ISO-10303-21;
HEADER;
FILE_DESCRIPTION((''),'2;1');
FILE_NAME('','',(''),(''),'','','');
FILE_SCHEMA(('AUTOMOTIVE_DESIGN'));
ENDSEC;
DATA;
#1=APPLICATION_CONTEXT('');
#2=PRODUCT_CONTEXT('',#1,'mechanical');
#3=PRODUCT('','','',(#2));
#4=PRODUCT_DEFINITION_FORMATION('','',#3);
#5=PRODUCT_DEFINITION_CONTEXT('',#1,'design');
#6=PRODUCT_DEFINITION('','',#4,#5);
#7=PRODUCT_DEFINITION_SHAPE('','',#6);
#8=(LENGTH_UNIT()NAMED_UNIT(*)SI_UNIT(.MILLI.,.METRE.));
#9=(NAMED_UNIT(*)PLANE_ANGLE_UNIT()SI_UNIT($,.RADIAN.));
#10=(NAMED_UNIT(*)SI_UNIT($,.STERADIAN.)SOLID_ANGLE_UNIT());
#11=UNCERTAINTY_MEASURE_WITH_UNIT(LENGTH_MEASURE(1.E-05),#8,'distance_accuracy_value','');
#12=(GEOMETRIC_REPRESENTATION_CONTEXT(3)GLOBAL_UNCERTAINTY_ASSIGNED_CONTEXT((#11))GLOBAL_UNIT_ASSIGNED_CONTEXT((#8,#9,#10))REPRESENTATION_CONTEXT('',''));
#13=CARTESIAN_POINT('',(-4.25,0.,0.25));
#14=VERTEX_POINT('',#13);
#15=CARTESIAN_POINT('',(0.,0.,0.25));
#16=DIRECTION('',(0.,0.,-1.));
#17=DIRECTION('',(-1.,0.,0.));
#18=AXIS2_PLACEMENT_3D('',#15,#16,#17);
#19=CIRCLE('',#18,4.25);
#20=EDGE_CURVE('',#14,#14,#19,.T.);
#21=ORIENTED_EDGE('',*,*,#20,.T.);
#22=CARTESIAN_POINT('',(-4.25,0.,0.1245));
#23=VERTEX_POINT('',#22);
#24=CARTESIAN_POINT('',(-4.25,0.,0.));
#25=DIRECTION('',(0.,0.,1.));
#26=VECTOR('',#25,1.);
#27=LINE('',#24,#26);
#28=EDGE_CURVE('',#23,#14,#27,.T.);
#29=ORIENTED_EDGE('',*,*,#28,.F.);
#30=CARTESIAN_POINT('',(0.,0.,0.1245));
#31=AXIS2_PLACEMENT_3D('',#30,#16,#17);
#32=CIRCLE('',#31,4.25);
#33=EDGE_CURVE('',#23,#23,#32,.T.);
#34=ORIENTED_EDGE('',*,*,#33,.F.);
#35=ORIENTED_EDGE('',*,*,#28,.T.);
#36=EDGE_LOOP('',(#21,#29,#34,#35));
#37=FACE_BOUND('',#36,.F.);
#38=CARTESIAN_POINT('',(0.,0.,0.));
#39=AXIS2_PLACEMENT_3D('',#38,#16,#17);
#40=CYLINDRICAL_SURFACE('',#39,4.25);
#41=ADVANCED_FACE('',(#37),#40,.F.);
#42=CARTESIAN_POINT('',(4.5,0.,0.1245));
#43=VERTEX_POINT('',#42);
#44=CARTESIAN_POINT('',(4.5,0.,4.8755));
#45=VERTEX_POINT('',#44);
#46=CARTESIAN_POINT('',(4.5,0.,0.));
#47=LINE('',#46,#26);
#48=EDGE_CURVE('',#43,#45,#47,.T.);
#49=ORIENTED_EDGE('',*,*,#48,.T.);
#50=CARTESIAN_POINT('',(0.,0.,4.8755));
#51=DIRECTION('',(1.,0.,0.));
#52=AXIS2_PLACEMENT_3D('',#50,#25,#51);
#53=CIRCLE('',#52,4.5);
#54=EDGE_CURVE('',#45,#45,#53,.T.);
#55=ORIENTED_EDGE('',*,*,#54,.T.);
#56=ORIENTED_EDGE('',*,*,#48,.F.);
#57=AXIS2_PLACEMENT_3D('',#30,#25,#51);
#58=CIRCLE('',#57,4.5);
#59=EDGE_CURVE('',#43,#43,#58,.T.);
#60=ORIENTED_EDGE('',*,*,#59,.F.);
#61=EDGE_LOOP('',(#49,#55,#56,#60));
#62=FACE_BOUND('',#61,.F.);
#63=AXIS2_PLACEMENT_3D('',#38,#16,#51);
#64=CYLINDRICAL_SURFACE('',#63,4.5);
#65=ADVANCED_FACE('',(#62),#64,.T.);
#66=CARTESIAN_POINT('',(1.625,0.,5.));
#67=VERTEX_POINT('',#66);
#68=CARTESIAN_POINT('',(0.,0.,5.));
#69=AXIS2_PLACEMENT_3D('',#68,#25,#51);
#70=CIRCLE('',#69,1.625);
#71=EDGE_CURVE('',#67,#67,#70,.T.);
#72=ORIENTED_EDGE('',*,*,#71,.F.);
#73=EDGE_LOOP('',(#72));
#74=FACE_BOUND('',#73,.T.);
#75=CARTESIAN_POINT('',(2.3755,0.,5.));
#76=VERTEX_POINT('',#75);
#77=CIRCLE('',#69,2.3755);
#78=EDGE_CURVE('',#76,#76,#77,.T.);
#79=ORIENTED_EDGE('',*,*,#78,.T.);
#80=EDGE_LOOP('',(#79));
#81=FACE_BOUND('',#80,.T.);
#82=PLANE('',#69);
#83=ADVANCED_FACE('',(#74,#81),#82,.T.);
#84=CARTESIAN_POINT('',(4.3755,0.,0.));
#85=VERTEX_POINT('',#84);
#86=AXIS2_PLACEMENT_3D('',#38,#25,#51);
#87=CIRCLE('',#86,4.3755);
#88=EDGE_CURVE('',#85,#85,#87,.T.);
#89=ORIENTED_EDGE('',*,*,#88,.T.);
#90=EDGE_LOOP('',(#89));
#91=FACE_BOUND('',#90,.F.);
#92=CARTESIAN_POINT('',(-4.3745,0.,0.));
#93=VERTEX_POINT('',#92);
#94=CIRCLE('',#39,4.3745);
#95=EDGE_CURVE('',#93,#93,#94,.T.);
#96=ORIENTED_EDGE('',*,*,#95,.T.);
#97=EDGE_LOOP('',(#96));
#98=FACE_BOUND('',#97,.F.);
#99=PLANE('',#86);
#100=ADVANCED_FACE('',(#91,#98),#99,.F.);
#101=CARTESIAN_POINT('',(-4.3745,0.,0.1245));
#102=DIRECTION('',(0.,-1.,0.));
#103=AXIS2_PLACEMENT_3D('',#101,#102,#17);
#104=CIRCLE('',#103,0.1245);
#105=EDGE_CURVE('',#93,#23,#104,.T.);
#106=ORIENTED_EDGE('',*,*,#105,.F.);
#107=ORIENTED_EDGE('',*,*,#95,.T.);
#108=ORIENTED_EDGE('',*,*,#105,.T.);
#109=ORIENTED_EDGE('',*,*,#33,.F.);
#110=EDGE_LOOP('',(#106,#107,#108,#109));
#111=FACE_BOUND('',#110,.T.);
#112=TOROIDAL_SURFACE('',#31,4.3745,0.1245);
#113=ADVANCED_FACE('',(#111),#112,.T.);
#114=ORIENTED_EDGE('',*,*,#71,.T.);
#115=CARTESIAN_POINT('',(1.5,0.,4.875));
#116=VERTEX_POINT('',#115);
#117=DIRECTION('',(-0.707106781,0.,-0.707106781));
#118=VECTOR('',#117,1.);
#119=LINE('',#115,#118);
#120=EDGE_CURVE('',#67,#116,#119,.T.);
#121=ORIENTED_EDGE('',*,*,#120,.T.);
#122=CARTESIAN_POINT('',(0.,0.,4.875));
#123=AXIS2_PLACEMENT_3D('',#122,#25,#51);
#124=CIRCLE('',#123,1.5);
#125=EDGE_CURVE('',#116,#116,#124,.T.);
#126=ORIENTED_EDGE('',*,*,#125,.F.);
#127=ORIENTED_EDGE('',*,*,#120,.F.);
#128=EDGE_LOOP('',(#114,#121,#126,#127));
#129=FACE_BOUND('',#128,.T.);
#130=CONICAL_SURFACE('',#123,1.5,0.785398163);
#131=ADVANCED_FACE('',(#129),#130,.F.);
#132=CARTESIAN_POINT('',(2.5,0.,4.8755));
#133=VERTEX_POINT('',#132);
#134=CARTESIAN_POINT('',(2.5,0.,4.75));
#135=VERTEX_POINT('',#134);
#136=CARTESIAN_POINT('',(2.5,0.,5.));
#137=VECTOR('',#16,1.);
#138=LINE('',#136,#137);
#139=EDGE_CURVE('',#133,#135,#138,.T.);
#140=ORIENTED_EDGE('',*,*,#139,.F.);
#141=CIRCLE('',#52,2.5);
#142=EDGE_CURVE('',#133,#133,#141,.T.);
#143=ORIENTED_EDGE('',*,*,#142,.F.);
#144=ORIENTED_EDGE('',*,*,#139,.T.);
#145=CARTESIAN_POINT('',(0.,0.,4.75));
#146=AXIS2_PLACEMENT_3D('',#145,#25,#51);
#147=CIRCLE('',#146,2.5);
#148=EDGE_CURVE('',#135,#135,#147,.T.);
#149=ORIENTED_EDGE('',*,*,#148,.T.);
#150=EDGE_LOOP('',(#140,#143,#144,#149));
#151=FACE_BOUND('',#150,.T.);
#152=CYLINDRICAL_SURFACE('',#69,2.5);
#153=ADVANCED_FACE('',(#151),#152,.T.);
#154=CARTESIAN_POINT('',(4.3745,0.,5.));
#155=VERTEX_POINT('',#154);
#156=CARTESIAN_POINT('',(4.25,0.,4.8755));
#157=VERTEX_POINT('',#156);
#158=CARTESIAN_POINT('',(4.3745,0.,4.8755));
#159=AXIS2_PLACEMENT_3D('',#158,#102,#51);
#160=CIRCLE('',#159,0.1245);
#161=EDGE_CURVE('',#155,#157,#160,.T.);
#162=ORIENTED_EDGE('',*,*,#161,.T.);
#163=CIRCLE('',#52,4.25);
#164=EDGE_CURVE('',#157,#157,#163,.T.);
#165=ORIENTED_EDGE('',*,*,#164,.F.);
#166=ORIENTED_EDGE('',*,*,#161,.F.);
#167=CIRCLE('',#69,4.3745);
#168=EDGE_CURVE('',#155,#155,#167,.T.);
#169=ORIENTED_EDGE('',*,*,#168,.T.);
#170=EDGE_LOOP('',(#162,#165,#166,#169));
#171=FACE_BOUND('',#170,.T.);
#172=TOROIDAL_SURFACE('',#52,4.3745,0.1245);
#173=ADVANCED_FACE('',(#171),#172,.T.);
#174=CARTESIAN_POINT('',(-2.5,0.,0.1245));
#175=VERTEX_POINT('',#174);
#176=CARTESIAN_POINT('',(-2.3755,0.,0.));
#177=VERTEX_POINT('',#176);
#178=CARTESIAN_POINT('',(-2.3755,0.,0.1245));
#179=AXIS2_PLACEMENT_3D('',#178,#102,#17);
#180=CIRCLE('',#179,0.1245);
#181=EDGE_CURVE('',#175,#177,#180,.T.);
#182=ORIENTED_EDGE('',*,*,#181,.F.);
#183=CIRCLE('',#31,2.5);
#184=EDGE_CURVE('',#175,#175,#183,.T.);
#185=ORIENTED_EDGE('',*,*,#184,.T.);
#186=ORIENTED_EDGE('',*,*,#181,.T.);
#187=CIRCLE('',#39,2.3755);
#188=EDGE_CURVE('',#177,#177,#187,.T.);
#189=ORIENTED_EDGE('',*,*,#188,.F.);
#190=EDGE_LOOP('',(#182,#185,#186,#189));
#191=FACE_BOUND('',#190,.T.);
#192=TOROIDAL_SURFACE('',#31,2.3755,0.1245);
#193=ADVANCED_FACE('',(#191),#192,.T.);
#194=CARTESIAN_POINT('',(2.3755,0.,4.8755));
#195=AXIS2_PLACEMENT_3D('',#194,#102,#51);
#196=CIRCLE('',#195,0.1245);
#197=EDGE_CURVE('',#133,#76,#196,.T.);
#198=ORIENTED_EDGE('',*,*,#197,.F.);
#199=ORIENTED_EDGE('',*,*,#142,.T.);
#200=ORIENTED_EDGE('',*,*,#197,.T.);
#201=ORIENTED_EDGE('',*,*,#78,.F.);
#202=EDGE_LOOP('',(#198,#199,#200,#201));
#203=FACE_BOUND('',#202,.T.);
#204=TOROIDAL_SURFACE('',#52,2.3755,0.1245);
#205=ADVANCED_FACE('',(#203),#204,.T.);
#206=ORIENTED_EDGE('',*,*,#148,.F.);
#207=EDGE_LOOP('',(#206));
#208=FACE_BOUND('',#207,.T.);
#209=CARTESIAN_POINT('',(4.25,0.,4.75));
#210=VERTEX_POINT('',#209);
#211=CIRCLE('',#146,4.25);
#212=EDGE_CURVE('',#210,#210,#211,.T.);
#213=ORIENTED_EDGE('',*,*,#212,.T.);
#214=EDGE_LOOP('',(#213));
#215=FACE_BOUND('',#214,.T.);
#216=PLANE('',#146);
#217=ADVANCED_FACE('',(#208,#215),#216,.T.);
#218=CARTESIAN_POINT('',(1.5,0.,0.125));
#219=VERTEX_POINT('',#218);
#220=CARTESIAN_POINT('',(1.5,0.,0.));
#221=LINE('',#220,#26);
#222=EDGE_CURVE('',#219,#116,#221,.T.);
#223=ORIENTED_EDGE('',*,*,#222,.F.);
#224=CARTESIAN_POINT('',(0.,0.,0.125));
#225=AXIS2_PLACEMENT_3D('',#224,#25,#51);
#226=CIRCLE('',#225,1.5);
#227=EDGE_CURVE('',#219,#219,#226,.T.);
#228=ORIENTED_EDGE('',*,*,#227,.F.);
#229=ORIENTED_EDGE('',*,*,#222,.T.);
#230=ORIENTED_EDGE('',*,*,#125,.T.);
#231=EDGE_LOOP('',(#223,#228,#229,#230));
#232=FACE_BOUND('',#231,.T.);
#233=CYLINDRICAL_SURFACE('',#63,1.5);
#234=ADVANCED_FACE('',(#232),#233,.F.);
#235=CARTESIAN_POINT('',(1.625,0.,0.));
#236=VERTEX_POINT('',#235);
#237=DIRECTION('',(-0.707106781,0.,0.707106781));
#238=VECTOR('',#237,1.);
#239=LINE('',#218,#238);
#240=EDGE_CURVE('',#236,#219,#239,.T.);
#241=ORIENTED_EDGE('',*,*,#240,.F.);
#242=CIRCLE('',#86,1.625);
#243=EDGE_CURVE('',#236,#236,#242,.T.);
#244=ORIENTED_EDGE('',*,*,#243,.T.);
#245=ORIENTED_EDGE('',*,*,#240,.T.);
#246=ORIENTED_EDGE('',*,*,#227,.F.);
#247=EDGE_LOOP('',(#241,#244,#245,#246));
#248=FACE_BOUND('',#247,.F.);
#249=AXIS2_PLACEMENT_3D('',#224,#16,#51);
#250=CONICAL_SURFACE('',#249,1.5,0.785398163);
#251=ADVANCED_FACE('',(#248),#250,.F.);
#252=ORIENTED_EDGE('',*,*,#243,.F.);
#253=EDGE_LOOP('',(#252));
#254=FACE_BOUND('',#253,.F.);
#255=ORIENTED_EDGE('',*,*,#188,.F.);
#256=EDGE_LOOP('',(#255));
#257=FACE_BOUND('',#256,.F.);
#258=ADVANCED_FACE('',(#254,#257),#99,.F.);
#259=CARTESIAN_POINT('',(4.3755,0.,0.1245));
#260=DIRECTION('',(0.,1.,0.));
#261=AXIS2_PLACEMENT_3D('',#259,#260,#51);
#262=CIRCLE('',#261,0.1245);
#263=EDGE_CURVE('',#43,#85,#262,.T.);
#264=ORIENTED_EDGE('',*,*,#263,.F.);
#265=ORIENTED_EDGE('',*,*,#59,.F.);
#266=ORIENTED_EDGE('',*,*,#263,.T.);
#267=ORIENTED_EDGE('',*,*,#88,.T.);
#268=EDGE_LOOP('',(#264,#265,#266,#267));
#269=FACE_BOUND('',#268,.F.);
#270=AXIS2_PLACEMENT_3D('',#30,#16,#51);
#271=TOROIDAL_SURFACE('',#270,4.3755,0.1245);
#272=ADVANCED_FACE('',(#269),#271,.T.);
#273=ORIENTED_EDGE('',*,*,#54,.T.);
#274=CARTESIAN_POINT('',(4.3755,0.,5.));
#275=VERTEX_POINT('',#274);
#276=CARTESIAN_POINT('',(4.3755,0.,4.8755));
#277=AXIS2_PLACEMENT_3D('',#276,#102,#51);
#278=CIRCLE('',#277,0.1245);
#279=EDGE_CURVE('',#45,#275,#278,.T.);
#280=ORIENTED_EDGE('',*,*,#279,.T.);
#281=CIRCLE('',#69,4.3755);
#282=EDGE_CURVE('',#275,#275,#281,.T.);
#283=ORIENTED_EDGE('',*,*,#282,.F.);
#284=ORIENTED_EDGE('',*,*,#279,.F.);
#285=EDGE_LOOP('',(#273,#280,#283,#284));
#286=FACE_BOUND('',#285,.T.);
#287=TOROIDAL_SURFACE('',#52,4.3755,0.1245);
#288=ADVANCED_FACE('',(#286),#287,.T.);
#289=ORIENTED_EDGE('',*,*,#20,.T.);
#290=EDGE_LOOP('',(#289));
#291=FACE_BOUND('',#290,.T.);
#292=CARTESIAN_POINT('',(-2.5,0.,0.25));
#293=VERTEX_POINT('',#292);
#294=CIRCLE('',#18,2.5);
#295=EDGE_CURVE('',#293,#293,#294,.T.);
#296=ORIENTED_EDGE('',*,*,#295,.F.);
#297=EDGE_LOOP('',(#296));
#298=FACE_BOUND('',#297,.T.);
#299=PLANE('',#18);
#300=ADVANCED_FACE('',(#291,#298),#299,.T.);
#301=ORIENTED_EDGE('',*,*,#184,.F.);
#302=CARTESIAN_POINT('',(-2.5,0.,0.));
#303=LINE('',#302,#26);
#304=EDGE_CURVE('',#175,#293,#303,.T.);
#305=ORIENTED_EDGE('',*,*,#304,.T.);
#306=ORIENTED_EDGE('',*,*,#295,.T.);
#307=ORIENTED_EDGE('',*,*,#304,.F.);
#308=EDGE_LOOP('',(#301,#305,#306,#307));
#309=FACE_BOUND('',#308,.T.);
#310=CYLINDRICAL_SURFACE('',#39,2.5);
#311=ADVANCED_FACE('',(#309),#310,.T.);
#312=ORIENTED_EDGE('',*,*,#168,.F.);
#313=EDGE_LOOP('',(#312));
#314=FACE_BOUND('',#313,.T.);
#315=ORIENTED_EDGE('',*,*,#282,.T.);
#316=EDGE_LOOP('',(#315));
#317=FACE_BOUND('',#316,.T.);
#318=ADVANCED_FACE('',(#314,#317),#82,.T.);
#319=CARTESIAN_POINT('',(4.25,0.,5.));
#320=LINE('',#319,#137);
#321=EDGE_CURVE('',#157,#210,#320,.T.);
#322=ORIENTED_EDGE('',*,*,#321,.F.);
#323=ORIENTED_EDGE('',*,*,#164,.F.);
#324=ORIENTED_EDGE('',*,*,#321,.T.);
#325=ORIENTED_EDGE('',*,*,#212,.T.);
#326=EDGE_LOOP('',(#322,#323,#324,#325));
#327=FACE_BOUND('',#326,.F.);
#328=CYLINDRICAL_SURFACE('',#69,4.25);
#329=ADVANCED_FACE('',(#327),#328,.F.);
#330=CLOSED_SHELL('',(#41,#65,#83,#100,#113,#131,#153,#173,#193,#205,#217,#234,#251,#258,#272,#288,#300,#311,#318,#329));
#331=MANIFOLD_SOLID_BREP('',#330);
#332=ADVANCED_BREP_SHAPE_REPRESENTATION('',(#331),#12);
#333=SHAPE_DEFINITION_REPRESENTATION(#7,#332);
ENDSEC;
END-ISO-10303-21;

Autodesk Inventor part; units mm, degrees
ref_plane "YZ Plane" through (0, 0, 0) normal (1, 0, 0) x (0, 1, 0)
ref_plane "XZ Plane" through (0, 0, 0) normal (0, 1, 0) x (-1, 0, 0)
ref_plane "XY Plane" through (0, 0, 0) normal (0, 0, 1) x (1, 0, 0)
sketch "Sketch1" plane through (0, 0, 0) normal (0, 0, 1) x (1, 0, 0)
  circle A0 centre (0, 0) radius 4.5
  circle A1 centre (0, 0) radius 1.5
  dimension "d0" = 9
  dimension "d1" = 3
extrude "Extrusion1" add sketch "Sketch1" along normal blind 5
sketch "Sketch2" plane through (0, 0, 5) normal (0, 0, 1) x (1, 0, 0)
  circle A0 centre (0, 0) radius 4.5 projected
  circle A1 centre (0, 0) radius 2.5
  circle A2 centre (0, 0) radius 4.25
  dimension "d4" = 8.5
  dimension "d5" = 5
extrude "Extrusion2" cut sketch "Sketch2" against normal blind 0.25 contours A2
sketch "Sketch3" plane through (0, 0, 0) normal (0, 0, -1) x (-1, 0, 0)
  circle A0 centre (0, 0) radius 4.5 projected
  circle A1 centre (0, 0) radius 2.5
  circle A2 centre (0, 0) radius 4.25
  dimension "d8" = 5
  dimension "d9" = 8.5
extrude "Extrusion3" cut sketch "Sketch3" against normal blind 0.25 contours A2
fillet "Fillet1" radius 0.125 6 edges at (-4.5, 0, 0) (4.25, 0, 0) (-4.5, 0, 5) (-4.25, 0, 5) (2.5, 0, 0) (-2.5, 0, 5)
chamfer "Chamfer1" distance 0.125 angle 45 2 edges at (-1.5, 0, 5) (-1.5, 0, 0)
properties part number "bearing_693"
